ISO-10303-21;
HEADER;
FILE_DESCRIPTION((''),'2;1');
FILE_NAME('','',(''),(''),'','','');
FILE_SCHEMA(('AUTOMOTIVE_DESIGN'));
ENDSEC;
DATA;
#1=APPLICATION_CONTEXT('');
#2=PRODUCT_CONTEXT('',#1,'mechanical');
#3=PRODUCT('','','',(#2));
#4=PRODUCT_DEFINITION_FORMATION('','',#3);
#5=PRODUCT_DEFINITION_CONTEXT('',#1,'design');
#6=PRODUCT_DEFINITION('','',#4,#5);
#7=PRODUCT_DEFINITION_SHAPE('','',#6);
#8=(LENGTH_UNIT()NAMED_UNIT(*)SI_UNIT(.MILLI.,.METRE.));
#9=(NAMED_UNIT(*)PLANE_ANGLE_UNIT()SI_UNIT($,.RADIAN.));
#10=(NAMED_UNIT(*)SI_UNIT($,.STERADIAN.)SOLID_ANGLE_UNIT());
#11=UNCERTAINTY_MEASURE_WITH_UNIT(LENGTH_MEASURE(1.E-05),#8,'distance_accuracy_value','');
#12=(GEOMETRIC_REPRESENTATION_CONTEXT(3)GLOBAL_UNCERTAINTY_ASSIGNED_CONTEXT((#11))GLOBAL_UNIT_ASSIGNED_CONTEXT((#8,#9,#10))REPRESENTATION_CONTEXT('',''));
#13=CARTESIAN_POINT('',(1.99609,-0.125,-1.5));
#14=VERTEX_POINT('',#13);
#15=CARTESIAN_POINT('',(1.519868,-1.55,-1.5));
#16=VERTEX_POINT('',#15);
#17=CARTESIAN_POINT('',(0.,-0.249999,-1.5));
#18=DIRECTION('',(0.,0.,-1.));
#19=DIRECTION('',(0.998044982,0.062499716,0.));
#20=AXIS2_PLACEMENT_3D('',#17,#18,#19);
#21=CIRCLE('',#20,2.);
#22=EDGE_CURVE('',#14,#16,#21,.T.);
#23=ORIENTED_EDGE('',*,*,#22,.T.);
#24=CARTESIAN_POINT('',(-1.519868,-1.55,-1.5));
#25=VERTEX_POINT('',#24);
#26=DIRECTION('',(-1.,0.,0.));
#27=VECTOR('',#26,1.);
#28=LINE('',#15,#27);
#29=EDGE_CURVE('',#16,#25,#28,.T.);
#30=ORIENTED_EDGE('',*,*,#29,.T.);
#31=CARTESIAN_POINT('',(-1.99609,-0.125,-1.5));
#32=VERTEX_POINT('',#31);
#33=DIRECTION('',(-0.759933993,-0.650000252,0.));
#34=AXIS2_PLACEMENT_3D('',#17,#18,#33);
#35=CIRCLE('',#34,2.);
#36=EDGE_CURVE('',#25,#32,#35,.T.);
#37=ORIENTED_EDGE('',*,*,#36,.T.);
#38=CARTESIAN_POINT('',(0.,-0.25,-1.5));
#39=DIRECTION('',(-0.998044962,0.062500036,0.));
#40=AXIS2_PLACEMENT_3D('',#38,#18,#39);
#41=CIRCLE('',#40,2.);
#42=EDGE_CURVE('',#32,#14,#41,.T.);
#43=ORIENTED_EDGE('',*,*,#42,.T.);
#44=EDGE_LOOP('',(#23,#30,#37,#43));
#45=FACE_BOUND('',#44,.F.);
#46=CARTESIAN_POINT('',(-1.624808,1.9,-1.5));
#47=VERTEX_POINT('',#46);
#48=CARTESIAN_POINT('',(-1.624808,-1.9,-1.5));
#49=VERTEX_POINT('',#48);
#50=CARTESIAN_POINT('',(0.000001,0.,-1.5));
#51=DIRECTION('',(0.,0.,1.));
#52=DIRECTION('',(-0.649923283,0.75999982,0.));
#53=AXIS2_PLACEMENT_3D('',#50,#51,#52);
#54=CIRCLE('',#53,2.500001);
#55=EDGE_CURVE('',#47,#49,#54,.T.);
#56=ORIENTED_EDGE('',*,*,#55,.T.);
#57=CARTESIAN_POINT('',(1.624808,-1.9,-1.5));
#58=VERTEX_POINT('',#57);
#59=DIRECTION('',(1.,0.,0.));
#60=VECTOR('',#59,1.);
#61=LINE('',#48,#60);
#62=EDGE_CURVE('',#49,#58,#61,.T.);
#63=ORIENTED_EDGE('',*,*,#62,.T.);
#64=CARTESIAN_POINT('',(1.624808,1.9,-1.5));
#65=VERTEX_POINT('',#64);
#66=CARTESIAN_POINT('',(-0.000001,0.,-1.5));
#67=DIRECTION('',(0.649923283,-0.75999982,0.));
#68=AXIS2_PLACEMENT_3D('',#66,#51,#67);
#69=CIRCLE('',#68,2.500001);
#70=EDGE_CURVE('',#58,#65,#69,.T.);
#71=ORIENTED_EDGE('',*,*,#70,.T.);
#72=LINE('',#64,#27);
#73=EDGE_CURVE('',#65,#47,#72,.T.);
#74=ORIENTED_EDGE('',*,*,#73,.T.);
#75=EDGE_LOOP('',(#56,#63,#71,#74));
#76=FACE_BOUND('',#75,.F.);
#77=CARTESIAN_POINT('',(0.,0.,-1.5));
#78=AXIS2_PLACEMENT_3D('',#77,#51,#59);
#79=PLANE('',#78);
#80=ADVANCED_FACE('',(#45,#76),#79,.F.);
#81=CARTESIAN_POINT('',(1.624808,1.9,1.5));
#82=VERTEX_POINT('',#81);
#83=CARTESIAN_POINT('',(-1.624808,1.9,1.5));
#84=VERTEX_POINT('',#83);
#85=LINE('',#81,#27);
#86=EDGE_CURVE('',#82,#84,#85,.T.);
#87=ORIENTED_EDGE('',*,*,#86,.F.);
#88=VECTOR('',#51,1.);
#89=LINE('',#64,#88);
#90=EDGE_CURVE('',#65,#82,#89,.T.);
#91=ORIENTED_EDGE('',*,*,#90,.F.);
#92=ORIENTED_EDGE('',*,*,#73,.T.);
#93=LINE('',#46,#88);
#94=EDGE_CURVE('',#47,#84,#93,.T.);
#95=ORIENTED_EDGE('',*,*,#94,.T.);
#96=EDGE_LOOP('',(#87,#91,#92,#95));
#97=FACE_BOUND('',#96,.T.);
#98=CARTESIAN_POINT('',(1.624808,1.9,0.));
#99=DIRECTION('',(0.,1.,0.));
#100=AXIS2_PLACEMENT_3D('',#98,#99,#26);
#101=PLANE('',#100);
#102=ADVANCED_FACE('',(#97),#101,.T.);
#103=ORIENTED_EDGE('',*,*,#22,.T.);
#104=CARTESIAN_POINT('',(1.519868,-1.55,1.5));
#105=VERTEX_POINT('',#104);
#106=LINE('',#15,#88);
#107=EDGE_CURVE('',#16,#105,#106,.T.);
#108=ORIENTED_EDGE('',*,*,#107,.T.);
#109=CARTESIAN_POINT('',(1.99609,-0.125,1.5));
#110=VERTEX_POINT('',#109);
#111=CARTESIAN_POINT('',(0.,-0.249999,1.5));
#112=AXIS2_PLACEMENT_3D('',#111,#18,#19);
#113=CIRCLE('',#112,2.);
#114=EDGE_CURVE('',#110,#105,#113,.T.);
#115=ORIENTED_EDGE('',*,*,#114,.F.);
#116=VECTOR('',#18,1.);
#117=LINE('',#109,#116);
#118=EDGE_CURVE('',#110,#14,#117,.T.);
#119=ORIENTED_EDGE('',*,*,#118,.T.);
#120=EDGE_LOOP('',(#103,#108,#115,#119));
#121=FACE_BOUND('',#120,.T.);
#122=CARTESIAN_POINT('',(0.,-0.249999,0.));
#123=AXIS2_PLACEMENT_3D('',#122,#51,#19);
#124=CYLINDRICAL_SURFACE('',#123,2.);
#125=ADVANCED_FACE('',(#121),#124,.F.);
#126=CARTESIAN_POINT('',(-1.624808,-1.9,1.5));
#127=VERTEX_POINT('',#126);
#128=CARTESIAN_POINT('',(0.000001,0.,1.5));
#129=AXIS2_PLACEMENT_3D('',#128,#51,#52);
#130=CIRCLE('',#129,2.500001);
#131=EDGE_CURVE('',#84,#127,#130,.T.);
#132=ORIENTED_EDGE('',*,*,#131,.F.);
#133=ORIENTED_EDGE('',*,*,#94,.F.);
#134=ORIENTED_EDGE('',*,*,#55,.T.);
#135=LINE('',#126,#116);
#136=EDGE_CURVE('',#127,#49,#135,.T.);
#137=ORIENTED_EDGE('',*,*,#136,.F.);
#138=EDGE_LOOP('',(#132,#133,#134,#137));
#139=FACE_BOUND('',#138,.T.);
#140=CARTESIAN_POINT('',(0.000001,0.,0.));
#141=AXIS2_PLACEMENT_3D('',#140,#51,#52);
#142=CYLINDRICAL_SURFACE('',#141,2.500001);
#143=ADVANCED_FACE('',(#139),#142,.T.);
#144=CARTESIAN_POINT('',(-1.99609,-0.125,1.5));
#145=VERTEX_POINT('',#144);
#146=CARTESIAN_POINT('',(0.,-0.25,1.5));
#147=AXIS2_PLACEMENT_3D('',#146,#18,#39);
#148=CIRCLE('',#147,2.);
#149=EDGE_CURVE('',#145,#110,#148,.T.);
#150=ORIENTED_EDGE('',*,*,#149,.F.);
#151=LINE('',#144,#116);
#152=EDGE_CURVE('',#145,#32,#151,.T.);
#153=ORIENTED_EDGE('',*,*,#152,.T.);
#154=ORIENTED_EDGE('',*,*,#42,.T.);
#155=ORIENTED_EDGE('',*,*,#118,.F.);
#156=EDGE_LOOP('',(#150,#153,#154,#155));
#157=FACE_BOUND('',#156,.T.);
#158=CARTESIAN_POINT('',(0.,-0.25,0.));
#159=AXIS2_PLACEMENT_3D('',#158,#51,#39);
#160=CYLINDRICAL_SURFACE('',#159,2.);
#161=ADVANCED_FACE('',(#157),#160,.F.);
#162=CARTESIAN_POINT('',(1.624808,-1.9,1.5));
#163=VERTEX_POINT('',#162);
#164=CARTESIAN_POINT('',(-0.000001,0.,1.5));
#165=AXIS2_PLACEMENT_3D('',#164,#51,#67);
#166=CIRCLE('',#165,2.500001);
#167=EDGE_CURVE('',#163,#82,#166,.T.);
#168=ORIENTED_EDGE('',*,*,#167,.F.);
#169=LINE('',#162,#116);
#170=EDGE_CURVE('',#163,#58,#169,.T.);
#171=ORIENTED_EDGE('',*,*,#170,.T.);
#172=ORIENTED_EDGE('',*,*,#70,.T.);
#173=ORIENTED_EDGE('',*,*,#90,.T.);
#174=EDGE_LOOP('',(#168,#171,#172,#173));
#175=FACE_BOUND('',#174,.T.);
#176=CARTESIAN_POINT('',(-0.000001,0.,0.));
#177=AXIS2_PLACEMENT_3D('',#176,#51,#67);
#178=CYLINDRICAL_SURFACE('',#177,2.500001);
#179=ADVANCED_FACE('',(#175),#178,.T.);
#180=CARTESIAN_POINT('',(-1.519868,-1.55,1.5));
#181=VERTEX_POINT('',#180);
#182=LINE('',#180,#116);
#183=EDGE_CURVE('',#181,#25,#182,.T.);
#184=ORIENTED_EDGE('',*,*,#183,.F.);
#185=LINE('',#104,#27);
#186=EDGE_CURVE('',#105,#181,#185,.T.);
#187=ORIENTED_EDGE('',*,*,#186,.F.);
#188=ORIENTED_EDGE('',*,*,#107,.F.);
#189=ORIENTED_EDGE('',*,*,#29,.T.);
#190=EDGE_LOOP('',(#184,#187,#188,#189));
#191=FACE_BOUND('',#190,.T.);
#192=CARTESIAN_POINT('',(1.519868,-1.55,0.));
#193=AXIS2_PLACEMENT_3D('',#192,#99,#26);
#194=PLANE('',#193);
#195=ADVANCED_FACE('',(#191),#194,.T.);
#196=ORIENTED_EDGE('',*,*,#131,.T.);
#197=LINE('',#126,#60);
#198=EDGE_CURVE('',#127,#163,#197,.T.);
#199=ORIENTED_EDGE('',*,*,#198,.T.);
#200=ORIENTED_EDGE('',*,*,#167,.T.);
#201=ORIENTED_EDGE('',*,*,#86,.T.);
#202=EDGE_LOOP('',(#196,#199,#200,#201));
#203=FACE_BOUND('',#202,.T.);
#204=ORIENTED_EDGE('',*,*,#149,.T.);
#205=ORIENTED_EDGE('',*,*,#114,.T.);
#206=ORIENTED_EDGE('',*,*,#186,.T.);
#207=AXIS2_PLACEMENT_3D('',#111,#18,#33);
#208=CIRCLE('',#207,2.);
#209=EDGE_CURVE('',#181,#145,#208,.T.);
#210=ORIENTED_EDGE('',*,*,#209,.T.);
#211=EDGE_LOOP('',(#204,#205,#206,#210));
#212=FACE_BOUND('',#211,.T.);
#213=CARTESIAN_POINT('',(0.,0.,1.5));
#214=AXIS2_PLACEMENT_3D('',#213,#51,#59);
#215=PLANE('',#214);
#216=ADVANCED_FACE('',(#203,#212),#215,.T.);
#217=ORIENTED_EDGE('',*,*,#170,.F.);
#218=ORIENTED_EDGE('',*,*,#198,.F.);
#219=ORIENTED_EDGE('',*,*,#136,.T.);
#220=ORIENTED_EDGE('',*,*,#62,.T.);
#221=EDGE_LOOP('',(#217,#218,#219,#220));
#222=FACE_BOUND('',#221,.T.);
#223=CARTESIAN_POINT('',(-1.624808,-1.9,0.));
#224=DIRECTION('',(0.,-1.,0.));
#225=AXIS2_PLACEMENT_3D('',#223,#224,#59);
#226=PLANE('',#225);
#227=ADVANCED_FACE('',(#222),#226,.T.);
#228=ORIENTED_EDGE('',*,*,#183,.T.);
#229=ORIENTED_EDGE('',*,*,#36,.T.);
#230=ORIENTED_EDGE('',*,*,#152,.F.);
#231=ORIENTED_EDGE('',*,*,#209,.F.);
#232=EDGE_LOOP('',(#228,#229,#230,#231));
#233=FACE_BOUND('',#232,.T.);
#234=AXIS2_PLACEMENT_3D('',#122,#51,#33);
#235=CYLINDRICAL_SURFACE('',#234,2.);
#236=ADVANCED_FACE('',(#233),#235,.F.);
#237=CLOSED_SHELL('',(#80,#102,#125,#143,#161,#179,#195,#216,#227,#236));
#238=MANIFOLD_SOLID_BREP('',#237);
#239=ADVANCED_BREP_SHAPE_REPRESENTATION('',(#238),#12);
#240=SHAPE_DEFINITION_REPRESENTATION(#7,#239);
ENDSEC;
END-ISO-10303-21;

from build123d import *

# Parameters (mm, degrees)
F1_DEPTH = 1.5


with BuildPart() as f1:
    # F0 (on Top) → F1 (new body, symmetric)
    with BuildSketch(Plane.XY):
        with BuildLine():
            Line((0, -1.9), (1.624808, -1.9))
            ThreePointArc((1.624808, -1.9), (2.5, 0), (1.624808, 1.9))
            Line((1.624808, 1.9), (0, 1.9))
            Line((0, 1.9), (-1.624808, 1.9))
            ThreePointArc((-1.624808, 1.9), (-2.5, 0), (-1.624808, -1.9))
            Line((-1.624808, -1.9), (0, -1.9))
        make_face()
        with BuildLine():
            Line((1.519868, -1.55), (-1.519868, -1.55))
            ThreePointArc((-1.519868, -1.55), (-1.896878, -0.883919), (-1.99609, -0.125))
            ThreePointArc((-1.99609, -0.125), (0, 1.75), (1.99609, -0.125))
            ThreePointArc((1.99609, -0.125), (1.896878, -0.883919), (1.519868, -1.55))
        make_face(mode=Mode.SUBTRACT)
    extrude(amount=F1_DEPTH, both=True)


solid = f1.part
